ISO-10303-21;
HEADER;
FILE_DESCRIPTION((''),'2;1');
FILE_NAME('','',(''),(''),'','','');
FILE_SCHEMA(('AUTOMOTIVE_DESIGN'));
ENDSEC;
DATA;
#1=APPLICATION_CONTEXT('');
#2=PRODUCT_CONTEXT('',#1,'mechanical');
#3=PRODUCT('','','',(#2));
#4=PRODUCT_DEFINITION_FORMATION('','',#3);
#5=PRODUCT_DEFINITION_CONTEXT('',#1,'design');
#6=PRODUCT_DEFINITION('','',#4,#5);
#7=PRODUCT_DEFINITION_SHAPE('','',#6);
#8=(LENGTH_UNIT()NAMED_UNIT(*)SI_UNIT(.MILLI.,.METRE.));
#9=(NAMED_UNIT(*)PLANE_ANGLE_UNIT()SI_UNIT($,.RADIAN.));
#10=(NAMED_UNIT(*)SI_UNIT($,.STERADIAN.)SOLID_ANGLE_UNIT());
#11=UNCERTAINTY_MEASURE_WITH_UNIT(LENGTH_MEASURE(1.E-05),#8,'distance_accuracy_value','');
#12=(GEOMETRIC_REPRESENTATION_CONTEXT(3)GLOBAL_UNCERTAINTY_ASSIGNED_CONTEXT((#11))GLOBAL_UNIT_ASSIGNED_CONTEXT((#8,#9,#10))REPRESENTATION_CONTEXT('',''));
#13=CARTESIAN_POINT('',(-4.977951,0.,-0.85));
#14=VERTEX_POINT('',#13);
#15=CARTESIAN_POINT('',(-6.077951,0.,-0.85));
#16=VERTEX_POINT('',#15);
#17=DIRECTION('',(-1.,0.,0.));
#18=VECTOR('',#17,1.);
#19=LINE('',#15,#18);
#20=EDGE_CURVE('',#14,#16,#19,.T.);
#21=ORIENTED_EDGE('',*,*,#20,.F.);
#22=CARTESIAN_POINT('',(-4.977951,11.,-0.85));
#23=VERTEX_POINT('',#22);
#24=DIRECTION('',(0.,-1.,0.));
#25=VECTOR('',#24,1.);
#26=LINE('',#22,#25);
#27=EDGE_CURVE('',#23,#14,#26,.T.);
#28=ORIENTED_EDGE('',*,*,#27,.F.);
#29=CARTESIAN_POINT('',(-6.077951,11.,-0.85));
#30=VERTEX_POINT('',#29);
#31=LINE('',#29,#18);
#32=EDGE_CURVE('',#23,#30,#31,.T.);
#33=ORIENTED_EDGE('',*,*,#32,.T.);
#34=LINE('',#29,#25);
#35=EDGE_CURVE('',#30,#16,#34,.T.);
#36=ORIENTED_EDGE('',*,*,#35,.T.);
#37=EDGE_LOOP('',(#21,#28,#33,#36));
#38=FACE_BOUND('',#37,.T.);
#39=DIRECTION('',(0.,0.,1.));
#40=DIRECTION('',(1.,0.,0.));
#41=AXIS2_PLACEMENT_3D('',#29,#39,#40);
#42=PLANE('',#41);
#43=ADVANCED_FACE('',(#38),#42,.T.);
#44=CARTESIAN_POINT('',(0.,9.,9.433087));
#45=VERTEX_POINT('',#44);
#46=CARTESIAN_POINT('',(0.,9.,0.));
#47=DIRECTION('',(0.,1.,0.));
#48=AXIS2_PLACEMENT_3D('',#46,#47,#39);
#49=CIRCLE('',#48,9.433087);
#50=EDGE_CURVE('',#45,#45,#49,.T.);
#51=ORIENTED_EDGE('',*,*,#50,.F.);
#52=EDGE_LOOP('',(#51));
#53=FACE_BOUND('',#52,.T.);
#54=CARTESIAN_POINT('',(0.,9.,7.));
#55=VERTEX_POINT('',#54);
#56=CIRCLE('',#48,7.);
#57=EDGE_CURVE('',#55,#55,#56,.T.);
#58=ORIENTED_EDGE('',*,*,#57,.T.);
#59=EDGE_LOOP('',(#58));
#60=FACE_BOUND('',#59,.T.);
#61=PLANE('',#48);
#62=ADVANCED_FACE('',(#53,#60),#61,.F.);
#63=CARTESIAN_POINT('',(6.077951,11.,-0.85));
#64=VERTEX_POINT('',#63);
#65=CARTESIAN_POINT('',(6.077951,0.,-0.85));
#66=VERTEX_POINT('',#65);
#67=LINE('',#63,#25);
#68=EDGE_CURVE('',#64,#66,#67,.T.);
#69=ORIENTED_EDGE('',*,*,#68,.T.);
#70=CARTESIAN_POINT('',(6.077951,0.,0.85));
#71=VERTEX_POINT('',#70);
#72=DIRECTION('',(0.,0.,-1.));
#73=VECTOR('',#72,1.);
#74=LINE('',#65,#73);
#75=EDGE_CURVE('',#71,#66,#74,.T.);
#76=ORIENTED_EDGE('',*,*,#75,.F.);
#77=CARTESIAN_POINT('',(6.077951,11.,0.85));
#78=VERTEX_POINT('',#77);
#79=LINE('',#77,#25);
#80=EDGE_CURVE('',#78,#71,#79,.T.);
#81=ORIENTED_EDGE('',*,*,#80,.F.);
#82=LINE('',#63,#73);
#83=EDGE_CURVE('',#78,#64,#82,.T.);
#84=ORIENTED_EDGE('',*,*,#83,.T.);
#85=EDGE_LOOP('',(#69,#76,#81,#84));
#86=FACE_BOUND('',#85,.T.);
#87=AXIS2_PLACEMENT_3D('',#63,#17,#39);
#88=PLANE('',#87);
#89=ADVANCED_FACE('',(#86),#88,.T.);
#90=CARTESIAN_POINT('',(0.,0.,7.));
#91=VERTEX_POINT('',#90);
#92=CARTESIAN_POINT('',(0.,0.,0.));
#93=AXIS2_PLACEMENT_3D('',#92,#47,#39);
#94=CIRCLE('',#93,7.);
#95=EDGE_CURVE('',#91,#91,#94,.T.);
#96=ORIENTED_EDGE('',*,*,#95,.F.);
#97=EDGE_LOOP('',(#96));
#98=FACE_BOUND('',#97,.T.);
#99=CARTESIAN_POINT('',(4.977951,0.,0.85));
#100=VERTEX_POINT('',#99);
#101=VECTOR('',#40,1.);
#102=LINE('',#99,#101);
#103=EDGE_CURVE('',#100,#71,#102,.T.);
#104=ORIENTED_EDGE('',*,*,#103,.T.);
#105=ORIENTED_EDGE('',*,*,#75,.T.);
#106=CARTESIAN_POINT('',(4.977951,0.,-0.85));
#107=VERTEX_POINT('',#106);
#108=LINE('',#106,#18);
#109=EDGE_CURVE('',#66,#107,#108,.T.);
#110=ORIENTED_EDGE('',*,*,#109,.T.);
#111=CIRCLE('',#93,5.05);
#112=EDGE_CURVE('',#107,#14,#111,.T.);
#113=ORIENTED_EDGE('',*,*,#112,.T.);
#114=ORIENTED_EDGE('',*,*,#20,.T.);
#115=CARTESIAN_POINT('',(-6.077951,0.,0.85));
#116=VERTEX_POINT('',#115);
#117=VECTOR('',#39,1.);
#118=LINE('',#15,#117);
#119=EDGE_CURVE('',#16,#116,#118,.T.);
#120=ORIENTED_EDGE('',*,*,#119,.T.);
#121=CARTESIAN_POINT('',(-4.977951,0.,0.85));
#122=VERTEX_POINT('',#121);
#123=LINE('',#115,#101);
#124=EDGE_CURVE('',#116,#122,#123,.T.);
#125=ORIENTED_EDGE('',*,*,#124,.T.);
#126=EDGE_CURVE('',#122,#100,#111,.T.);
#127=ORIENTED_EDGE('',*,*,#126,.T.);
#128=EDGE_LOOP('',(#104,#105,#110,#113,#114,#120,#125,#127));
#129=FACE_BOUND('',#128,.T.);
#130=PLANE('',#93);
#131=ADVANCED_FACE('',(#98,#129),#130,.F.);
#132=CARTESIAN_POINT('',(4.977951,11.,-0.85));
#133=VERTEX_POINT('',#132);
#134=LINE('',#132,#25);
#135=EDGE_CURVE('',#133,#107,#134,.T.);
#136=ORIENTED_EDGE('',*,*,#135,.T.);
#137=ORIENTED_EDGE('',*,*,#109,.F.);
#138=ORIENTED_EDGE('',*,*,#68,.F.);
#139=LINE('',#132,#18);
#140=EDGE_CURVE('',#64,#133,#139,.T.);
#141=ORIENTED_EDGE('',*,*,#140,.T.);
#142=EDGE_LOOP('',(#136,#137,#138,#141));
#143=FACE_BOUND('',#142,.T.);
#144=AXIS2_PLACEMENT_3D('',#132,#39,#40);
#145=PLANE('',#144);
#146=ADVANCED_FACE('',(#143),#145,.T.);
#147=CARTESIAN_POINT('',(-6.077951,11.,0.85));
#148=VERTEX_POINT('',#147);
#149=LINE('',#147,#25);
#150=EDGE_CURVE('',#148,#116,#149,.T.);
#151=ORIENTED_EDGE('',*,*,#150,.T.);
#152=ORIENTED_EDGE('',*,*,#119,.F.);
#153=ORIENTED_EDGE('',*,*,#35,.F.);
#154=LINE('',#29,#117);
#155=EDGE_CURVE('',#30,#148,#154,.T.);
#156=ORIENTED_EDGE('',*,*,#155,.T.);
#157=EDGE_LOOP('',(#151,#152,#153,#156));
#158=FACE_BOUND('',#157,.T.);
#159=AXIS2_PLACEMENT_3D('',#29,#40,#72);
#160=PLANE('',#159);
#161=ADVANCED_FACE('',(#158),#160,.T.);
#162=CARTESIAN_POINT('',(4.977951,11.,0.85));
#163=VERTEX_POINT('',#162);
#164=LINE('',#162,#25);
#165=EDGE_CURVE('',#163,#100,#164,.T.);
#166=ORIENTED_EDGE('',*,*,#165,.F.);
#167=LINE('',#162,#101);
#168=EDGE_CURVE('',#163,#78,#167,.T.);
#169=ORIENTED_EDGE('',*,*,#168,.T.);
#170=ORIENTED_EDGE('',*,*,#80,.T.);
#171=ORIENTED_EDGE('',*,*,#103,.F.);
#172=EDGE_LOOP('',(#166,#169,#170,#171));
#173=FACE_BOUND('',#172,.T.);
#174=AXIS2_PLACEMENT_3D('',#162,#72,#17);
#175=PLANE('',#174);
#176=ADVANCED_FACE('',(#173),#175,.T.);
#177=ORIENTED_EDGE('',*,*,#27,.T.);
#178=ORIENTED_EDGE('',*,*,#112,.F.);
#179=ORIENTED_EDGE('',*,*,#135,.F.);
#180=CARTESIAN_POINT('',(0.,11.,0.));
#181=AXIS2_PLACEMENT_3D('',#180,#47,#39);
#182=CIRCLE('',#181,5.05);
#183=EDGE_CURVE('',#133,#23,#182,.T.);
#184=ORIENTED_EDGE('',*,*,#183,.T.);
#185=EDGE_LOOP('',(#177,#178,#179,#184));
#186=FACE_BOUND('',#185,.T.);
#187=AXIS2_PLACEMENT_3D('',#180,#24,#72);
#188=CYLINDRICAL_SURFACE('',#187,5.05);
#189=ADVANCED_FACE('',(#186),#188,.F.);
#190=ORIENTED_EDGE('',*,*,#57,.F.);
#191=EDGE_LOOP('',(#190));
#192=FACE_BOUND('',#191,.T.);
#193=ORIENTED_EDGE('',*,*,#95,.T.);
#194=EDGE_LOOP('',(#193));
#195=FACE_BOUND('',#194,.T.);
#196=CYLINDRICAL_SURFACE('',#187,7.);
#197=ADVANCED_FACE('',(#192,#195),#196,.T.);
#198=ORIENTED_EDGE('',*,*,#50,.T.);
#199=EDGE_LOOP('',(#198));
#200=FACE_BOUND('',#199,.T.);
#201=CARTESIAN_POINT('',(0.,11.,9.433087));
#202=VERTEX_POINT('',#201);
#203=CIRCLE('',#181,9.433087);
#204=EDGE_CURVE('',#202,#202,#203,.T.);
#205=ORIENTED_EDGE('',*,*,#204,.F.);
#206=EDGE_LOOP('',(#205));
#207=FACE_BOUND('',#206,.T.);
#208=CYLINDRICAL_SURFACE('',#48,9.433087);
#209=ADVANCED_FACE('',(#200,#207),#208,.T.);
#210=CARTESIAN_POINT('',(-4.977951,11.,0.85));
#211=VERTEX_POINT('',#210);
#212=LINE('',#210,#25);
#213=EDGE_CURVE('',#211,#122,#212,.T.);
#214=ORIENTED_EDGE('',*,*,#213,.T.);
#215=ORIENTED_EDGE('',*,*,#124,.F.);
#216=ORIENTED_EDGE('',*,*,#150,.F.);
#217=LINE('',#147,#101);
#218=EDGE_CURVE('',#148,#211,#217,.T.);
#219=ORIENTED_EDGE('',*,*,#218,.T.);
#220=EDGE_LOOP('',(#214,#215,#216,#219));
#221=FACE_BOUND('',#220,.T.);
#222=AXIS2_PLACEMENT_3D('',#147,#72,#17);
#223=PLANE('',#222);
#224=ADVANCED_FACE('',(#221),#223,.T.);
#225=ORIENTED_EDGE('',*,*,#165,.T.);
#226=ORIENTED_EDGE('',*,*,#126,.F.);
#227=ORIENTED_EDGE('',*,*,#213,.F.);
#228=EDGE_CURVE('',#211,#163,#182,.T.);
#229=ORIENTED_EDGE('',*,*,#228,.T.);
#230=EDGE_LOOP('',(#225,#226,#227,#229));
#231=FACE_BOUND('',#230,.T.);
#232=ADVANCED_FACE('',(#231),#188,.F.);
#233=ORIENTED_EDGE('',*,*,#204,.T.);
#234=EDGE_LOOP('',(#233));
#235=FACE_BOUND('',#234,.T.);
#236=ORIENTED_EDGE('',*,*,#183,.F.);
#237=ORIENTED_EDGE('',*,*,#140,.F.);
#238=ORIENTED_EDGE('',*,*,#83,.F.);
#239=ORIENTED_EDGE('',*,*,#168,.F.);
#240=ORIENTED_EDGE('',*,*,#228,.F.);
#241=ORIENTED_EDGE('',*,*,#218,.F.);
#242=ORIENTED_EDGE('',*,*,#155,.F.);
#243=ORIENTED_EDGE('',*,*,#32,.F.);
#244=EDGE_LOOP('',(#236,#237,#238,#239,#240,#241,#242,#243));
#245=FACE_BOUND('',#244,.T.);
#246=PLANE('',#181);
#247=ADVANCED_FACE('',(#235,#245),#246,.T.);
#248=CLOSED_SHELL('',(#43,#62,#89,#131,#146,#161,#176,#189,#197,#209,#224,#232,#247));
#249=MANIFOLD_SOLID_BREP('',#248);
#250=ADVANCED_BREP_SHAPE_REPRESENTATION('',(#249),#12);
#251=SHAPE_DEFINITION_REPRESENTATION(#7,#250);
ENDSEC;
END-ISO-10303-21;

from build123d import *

# Parameters (mm, degrees)
SKETCH1_R           = 7
BOSS_EXTRUDE1_DEPTH = 11
SKETCH2_R           = 9.433087352
SKETCH2_R_2         = 7
BOSS_EXTRUDE2_DEPTH = 2


with BuildPart() as part:
    # Sketch1 → Boss-Extrude1 (new body)
    with BuildSketch(Plane(origin=(0, 0, 0), x_dir=(1, 0, 0), z_dir=(0, 1, 0))):
        Circle(SKETCH1_R)
        with BuildLine():
            Line((-6.077951386, 0.85), (-4.977951386, 0.85))
            ThreePointArc((-4.977951386, 0.85), (0, 5.05), (4.977951386, 0.85))
            Line((4.977951386, 0.85), (6.077951386, 0.85))
            Line((6.077951386, 0.85), (6.077951386, -0.85))
            Line((6.077951386, -0.85), (4.977951386, -0.85))
            ThreePointArc((4.977951386, -0.85), (0, -5.05), (-4.977951386, -0.85))
            Line((-4.977951386, -0.85), (-6.077951386, -0.85))
            Line((-6.077951386, -0.85), (-6.077951386, 0.85))
        make_face(mode=Mode.SUBTRACT)
    extrude(amount=BOSS_EXTRUDE1_DEPTH)

    # Sketch2 → Boss-Extrude2 (add)
    with BuildSketch(Plane(origin=(0, 11, 0), x_dir=(1, 0, 0), z_dir=(0, 1, 0))):
        Circle(SKETCH2_R)
        Circle(SKETCH2_R_2, mode=Mode.SUBTRACT)
    extrude(amount=-BOSS_EXTRUDE2_DEPTH)


solid = part.part
